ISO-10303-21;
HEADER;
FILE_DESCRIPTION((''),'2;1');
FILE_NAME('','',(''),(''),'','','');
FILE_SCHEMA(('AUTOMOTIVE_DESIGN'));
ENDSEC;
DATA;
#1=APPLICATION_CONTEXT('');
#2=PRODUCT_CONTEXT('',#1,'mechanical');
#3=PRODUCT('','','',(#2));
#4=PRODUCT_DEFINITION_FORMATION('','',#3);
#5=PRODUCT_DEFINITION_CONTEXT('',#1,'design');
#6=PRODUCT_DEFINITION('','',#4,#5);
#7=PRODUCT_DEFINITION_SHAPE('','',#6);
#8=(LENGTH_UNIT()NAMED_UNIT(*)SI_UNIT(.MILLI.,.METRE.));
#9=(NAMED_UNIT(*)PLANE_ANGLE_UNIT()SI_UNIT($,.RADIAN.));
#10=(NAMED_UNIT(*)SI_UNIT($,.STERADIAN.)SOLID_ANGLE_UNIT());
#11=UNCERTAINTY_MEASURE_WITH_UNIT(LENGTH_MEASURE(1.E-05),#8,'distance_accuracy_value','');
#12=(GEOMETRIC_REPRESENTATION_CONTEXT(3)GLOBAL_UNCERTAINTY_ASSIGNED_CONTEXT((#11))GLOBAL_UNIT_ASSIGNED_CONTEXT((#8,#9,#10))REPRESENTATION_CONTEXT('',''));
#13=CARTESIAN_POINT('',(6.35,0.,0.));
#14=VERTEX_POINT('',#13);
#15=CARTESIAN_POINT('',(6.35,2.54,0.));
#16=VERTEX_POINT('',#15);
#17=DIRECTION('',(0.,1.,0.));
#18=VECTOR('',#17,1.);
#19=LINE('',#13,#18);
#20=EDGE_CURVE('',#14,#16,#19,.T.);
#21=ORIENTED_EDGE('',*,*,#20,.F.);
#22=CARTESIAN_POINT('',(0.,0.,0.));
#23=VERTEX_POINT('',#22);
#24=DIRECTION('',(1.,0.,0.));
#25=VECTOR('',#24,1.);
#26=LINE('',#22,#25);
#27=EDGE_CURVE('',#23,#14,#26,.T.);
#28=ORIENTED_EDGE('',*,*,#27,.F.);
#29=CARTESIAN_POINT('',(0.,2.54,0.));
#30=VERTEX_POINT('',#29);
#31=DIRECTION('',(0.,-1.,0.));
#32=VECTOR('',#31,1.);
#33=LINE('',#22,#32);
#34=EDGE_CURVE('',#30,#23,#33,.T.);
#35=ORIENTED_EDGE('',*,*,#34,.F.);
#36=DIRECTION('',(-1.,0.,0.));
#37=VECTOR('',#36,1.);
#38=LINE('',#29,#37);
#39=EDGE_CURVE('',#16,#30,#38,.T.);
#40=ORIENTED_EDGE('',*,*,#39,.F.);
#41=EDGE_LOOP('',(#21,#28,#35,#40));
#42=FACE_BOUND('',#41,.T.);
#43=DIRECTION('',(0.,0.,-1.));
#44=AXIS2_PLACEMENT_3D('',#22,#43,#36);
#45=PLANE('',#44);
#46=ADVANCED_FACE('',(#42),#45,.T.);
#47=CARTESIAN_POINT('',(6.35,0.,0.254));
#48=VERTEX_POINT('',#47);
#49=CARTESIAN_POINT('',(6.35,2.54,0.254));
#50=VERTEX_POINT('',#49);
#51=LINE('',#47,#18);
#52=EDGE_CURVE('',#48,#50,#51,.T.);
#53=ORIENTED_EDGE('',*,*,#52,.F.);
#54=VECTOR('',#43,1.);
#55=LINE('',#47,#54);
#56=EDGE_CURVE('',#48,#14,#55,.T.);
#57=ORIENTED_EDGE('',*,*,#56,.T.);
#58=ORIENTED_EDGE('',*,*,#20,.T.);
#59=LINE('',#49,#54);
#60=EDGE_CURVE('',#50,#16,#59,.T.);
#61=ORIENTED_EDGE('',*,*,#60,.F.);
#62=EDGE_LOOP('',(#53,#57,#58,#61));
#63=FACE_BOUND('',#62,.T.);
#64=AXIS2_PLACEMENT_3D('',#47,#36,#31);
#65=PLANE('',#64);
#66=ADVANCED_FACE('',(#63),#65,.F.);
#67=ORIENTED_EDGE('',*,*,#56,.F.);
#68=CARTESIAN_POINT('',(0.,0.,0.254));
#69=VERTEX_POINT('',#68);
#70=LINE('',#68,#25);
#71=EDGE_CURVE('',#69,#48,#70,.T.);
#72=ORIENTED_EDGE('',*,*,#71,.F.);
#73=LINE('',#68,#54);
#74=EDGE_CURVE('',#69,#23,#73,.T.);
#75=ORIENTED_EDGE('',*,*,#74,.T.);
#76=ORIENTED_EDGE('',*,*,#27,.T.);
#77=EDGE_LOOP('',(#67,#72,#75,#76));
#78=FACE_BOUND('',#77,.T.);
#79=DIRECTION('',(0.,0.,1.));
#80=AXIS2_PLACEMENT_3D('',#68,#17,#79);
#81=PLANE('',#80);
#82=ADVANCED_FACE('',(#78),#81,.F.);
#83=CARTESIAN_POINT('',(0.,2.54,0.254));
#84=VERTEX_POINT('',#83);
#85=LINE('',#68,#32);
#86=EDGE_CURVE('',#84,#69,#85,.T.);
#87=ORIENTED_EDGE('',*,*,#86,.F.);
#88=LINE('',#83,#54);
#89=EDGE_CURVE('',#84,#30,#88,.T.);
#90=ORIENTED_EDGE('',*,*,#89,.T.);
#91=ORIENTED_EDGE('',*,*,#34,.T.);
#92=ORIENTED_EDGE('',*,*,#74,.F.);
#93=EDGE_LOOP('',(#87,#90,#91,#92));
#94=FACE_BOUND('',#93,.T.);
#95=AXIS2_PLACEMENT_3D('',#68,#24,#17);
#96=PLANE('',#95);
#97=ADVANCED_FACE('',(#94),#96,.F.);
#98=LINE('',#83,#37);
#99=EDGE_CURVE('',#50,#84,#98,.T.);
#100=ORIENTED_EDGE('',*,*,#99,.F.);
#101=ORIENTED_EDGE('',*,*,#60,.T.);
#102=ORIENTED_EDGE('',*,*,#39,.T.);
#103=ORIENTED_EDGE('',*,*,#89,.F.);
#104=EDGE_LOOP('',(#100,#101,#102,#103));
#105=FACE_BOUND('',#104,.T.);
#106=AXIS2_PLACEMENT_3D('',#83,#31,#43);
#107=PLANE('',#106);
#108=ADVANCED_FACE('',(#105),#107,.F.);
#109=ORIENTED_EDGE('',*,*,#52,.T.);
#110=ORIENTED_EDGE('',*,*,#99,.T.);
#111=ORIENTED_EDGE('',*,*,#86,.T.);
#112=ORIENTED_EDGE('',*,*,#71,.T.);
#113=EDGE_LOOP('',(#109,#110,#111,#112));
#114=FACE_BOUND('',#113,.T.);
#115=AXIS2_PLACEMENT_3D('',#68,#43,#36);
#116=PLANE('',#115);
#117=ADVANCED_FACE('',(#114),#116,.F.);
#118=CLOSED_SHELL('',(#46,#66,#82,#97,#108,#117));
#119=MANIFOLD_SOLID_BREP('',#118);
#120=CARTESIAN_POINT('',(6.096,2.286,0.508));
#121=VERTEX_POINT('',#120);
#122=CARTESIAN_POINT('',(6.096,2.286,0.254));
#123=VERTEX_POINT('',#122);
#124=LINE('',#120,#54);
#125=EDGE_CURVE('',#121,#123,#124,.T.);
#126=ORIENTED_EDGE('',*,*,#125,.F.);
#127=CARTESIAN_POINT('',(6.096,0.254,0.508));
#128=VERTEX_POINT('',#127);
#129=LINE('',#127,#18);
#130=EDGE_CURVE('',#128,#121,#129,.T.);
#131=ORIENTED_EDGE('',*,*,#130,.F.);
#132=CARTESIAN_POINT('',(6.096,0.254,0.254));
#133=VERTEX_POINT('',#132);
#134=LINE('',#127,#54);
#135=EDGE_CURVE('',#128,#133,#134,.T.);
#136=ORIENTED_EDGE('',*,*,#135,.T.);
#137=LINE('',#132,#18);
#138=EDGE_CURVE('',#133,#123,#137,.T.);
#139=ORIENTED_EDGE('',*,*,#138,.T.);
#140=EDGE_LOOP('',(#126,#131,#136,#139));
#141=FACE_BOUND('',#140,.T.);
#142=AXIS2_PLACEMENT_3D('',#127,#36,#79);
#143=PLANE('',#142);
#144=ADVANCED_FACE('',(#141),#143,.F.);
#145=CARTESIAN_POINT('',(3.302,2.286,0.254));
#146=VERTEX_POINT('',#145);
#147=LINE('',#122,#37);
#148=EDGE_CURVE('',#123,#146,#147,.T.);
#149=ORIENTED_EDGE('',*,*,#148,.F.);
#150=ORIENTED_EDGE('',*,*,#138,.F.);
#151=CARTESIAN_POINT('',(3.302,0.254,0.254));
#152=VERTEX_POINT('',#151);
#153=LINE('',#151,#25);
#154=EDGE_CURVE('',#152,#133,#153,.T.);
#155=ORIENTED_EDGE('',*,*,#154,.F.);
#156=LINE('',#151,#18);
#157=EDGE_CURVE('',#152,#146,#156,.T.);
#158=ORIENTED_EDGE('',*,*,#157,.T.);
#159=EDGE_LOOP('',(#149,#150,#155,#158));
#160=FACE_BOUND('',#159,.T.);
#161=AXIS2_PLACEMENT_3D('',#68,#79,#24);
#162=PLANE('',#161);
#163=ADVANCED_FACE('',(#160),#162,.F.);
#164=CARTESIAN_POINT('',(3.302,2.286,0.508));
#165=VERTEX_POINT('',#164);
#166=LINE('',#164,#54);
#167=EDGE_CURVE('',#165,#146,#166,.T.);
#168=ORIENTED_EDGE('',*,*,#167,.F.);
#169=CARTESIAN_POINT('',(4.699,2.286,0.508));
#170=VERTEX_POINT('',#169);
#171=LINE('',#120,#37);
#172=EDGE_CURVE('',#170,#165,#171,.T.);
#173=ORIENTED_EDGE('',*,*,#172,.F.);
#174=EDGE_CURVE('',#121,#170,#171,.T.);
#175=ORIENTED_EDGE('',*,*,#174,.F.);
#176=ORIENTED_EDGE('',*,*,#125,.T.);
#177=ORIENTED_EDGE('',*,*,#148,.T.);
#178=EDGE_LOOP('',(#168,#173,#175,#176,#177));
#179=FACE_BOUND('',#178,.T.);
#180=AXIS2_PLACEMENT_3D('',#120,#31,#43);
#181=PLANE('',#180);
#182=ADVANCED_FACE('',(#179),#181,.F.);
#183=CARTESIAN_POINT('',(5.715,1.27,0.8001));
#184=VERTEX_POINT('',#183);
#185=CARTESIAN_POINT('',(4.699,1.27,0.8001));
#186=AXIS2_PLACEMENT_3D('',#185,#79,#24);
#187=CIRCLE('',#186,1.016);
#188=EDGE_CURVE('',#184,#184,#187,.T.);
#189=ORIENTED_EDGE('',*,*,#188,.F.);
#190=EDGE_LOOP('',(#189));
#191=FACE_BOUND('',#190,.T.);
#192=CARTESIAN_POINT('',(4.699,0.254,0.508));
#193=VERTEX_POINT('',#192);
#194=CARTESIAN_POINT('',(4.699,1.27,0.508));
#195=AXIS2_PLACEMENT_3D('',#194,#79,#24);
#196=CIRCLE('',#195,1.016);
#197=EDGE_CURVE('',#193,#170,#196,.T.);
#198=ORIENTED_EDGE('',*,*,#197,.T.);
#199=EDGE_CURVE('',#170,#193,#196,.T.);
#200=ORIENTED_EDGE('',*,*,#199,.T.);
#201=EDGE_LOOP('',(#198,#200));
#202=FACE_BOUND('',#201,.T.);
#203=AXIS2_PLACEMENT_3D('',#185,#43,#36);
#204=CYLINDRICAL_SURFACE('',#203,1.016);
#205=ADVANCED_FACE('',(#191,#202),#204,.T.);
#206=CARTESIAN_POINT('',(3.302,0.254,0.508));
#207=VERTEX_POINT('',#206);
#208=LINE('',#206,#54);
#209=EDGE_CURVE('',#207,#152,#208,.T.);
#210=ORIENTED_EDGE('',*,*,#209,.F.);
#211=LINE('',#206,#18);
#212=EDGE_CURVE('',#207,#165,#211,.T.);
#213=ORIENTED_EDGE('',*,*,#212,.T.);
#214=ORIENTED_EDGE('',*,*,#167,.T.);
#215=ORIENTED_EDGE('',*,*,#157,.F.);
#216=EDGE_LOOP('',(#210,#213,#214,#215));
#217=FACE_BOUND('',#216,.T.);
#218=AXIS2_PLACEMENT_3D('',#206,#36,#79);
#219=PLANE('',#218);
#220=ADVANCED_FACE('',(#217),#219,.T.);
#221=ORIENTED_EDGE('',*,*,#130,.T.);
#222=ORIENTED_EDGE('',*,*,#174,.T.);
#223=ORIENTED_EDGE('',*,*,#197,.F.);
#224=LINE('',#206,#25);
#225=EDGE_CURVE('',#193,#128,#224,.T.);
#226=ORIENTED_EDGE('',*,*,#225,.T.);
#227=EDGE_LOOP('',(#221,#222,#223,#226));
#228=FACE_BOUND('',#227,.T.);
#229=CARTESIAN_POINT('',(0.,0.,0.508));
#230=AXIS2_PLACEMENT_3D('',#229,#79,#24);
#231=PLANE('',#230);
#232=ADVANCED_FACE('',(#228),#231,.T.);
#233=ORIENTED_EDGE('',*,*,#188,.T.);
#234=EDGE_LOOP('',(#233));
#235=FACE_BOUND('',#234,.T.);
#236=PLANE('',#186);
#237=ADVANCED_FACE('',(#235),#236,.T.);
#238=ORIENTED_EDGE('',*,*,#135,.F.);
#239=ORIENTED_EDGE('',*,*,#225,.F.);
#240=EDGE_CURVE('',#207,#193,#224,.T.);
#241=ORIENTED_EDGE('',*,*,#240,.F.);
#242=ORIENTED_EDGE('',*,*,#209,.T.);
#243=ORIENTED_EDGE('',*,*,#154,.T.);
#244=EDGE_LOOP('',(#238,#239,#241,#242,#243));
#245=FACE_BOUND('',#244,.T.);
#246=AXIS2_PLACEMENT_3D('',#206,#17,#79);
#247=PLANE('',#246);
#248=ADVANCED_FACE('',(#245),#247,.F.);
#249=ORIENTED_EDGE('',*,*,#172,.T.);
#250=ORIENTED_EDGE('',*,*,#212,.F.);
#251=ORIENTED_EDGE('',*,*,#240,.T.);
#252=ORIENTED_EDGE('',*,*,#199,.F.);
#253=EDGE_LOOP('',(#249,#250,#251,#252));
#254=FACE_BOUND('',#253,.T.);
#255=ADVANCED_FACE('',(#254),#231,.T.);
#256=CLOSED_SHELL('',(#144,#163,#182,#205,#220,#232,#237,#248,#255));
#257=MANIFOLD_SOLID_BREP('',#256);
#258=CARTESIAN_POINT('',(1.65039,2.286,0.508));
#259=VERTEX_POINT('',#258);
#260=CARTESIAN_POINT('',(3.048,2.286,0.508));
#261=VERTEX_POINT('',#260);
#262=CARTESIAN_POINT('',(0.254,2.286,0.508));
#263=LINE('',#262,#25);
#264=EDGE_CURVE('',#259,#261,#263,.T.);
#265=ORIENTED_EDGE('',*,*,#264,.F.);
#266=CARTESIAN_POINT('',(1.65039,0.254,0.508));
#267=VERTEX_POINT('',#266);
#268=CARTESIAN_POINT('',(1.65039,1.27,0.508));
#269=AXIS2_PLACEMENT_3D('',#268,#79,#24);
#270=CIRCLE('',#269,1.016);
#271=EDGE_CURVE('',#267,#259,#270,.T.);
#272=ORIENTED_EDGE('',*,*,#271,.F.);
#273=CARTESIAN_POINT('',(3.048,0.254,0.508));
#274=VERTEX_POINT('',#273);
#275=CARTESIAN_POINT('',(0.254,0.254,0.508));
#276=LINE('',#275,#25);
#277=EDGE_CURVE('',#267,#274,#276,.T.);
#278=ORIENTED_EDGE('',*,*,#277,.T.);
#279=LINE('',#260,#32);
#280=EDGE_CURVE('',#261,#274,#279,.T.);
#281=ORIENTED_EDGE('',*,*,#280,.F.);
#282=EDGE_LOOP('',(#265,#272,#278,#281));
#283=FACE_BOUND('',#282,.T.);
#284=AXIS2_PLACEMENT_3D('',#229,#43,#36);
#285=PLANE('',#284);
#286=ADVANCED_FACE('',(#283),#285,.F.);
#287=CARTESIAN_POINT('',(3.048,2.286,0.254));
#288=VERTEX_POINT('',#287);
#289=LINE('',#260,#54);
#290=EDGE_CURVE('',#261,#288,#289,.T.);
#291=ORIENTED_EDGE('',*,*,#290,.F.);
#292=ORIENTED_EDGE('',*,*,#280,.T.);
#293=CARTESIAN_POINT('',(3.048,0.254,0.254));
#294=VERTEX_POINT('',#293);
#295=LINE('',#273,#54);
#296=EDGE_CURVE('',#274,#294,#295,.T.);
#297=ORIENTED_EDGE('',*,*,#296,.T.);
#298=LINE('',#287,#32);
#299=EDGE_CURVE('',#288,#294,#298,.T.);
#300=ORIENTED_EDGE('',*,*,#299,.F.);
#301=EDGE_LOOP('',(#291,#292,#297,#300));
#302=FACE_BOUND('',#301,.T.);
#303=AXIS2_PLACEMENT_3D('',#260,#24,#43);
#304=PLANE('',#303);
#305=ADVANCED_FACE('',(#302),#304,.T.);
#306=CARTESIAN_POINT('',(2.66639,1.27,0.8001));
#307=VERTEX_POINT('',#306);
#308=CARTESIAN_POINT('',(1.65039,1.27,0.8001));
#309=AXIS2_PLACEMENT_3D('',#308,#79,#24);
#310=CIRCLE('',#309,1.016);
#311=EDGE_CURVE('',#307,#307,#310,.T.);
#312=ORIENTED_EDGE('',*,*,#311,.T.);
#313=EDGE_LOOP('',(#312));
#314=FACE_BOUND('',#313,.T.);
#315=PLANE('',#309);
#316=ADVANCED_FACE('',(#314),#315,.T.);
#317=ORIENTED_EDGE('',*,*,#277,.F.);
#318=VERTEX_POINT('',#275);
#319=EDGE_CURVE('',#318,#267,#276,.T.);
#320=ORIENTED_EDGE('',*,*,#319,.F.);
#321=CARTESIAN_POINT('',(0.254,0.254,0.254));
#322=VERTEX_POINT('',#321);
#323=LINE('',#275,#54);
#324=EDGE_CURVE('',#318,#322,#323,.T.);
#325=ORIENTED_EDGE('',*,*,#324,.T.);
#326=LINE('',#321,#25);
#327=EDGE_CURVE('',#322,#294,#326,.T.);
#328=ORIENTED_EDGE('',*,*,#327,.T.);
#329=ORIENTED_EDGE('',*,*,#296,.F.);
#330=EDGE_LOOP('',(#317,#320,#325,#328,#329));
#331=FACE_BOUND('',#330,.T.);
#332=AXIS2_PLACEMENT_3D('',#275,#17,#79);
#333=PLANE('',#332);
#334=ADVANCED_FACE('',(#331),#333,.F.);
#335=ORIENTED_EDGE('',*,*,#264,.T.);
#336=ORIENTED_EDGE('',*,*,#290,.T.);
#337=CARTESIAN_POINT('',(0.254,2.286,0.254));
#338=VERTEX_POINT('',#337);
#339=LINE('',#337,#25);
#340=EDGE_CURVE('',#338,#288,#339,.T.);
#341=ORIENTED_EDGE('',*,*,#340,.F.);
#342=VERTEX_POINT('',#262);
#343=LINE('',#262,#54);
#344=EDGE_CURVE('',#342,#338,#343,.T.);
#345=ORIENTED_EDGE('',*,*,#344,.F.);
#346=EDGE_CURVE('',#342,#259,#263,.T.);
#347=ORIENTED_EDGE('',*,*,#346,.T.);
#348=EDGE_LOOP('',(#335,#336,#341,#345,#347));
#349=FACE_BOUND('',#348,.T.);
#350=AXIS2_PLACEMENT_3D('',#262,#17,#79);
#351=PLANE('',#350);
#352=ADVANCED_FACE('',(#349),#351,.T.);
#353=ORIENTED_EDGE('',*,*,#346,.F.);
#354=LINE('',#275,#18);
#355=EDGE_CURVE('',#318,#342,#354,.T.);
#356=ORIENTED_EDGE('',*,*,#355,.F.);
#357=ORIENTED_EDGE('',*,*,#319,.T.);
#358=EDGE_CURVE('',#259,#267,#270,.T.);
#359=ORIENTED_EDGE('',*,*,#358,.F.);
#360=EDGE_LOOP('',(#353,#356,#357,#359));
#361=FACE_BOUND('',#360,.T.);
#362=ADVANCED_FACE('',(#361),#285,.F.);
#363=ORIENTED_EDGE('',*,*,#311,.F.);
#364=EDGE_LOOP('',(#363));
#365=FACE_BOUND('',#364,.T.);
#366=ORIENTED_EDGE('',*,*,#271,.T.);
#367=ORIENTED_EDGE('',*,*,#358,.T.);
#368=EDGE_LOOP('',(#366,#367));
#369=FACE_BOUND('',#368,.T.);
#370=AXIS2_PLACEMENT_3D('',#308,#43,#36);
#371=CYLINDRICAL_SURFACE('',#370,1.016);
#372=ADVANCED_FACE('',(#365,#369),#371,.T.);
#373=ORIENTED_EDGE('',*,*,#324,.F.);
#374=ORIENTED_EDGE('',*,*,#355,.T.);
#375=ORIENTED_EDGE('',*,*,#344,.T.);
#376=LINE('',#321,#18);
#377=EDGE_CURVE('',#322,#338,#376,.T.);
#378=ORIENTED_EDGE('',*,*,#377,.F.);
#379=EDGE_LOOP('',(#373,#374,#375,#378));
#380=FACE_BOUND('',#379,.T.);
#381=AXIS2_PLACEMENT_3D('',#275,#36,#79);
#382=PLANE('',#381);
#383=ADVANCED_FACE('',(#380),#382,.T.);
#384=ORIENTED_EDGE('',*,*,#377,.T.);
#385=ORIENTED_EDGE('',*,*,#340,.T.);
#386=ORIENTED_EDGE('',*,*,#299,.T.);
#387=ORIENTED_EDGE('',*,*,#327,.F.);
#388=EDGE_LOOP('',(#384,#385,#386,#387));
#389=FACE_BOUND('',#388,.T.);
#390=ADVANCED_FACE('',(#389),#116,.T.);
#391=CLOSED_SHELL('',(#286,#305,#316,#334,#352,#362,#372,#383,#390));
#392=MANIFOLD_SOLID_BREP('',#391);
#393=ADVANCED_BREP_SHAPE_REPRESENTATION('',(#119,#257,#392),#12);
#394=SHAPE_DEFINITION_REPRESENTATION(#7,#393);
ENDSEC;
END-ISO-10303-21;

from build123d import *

# Parameters (mm, degrees)
SKETCH1_W             = 6.35
SKETCH1_H             = 2.54
BOSS_EXTRUDE1_DEPTH   = 0.254
SKETCH2_W             = 2.794
SKETCH2_H             = 2.032
BOSS_EXTRUDE3_DEPTH   = 0.254
BOSS_EXTRUDE3_2_DEPTH = 0.254
SKETCH4_R             = 1.016
BOSS_EXTRUDE4_DEPTH   = 0.2921
SKETCH5_R             = 1.016
BOSS_EXTRUDE5_DEPTH   = 0.2921


with BuildPart() as part:
    # Sketch1 → Boss-Extrude1 (new body)
    with BuildSketch(Plane.XY):
        with Locations((3.175, 1.27)):
            Rectangle(SKETCH1_W, SKETCH1_H)
    extrude(amount=BOSS_EXTRUDE1_DEPTH)


with BuildPart() as body_2:
    # Sketch2 → Boss-Extrude3 (new body)
    with BuildSketch(Plane.XY.offset(0.254)):
        with Locations((1.651, 1.27)):
            Rectangle(SKETCH2_W, SKETCH2_H)
    extrude(amount=BOSS_EXTRUDE3_DEPTH)

    # Sketch4 → Boss-Extrude4 (add)
    with BuildSketch(Plane.XY.offset(0.508)):
        with Locations((1.650390219, 1.27)):
            Circle(SKETCH4_R)
    extrude(amount=BOSS_EXTRUDE4_DEPTH)


with BuildPart() as body_3:
    # Sketch2 → Boss-Extrude3 2 (new body)
    with BuildSketch(Plane.XY.offset(0.254)):
        with Locations((4.699, 1.27)):
            Rectangle(SKETCH2_W, SKETCH2_H)
    extrude(amount=BOSS_EXTRUDE3_2_DEPTH)

    # Sketch5 → Boss-Extrude5 (add)
    with BuildSketch(Plane.XY.offset(0.508)):
        with Locations((4.699, 1.27)):
            Circle(SKETCH5_R)
    extrude(amount=BOSS_EXTRUDE5_DEPTH)


solid = Compound([part.part, body_2.part, body_3.part])
